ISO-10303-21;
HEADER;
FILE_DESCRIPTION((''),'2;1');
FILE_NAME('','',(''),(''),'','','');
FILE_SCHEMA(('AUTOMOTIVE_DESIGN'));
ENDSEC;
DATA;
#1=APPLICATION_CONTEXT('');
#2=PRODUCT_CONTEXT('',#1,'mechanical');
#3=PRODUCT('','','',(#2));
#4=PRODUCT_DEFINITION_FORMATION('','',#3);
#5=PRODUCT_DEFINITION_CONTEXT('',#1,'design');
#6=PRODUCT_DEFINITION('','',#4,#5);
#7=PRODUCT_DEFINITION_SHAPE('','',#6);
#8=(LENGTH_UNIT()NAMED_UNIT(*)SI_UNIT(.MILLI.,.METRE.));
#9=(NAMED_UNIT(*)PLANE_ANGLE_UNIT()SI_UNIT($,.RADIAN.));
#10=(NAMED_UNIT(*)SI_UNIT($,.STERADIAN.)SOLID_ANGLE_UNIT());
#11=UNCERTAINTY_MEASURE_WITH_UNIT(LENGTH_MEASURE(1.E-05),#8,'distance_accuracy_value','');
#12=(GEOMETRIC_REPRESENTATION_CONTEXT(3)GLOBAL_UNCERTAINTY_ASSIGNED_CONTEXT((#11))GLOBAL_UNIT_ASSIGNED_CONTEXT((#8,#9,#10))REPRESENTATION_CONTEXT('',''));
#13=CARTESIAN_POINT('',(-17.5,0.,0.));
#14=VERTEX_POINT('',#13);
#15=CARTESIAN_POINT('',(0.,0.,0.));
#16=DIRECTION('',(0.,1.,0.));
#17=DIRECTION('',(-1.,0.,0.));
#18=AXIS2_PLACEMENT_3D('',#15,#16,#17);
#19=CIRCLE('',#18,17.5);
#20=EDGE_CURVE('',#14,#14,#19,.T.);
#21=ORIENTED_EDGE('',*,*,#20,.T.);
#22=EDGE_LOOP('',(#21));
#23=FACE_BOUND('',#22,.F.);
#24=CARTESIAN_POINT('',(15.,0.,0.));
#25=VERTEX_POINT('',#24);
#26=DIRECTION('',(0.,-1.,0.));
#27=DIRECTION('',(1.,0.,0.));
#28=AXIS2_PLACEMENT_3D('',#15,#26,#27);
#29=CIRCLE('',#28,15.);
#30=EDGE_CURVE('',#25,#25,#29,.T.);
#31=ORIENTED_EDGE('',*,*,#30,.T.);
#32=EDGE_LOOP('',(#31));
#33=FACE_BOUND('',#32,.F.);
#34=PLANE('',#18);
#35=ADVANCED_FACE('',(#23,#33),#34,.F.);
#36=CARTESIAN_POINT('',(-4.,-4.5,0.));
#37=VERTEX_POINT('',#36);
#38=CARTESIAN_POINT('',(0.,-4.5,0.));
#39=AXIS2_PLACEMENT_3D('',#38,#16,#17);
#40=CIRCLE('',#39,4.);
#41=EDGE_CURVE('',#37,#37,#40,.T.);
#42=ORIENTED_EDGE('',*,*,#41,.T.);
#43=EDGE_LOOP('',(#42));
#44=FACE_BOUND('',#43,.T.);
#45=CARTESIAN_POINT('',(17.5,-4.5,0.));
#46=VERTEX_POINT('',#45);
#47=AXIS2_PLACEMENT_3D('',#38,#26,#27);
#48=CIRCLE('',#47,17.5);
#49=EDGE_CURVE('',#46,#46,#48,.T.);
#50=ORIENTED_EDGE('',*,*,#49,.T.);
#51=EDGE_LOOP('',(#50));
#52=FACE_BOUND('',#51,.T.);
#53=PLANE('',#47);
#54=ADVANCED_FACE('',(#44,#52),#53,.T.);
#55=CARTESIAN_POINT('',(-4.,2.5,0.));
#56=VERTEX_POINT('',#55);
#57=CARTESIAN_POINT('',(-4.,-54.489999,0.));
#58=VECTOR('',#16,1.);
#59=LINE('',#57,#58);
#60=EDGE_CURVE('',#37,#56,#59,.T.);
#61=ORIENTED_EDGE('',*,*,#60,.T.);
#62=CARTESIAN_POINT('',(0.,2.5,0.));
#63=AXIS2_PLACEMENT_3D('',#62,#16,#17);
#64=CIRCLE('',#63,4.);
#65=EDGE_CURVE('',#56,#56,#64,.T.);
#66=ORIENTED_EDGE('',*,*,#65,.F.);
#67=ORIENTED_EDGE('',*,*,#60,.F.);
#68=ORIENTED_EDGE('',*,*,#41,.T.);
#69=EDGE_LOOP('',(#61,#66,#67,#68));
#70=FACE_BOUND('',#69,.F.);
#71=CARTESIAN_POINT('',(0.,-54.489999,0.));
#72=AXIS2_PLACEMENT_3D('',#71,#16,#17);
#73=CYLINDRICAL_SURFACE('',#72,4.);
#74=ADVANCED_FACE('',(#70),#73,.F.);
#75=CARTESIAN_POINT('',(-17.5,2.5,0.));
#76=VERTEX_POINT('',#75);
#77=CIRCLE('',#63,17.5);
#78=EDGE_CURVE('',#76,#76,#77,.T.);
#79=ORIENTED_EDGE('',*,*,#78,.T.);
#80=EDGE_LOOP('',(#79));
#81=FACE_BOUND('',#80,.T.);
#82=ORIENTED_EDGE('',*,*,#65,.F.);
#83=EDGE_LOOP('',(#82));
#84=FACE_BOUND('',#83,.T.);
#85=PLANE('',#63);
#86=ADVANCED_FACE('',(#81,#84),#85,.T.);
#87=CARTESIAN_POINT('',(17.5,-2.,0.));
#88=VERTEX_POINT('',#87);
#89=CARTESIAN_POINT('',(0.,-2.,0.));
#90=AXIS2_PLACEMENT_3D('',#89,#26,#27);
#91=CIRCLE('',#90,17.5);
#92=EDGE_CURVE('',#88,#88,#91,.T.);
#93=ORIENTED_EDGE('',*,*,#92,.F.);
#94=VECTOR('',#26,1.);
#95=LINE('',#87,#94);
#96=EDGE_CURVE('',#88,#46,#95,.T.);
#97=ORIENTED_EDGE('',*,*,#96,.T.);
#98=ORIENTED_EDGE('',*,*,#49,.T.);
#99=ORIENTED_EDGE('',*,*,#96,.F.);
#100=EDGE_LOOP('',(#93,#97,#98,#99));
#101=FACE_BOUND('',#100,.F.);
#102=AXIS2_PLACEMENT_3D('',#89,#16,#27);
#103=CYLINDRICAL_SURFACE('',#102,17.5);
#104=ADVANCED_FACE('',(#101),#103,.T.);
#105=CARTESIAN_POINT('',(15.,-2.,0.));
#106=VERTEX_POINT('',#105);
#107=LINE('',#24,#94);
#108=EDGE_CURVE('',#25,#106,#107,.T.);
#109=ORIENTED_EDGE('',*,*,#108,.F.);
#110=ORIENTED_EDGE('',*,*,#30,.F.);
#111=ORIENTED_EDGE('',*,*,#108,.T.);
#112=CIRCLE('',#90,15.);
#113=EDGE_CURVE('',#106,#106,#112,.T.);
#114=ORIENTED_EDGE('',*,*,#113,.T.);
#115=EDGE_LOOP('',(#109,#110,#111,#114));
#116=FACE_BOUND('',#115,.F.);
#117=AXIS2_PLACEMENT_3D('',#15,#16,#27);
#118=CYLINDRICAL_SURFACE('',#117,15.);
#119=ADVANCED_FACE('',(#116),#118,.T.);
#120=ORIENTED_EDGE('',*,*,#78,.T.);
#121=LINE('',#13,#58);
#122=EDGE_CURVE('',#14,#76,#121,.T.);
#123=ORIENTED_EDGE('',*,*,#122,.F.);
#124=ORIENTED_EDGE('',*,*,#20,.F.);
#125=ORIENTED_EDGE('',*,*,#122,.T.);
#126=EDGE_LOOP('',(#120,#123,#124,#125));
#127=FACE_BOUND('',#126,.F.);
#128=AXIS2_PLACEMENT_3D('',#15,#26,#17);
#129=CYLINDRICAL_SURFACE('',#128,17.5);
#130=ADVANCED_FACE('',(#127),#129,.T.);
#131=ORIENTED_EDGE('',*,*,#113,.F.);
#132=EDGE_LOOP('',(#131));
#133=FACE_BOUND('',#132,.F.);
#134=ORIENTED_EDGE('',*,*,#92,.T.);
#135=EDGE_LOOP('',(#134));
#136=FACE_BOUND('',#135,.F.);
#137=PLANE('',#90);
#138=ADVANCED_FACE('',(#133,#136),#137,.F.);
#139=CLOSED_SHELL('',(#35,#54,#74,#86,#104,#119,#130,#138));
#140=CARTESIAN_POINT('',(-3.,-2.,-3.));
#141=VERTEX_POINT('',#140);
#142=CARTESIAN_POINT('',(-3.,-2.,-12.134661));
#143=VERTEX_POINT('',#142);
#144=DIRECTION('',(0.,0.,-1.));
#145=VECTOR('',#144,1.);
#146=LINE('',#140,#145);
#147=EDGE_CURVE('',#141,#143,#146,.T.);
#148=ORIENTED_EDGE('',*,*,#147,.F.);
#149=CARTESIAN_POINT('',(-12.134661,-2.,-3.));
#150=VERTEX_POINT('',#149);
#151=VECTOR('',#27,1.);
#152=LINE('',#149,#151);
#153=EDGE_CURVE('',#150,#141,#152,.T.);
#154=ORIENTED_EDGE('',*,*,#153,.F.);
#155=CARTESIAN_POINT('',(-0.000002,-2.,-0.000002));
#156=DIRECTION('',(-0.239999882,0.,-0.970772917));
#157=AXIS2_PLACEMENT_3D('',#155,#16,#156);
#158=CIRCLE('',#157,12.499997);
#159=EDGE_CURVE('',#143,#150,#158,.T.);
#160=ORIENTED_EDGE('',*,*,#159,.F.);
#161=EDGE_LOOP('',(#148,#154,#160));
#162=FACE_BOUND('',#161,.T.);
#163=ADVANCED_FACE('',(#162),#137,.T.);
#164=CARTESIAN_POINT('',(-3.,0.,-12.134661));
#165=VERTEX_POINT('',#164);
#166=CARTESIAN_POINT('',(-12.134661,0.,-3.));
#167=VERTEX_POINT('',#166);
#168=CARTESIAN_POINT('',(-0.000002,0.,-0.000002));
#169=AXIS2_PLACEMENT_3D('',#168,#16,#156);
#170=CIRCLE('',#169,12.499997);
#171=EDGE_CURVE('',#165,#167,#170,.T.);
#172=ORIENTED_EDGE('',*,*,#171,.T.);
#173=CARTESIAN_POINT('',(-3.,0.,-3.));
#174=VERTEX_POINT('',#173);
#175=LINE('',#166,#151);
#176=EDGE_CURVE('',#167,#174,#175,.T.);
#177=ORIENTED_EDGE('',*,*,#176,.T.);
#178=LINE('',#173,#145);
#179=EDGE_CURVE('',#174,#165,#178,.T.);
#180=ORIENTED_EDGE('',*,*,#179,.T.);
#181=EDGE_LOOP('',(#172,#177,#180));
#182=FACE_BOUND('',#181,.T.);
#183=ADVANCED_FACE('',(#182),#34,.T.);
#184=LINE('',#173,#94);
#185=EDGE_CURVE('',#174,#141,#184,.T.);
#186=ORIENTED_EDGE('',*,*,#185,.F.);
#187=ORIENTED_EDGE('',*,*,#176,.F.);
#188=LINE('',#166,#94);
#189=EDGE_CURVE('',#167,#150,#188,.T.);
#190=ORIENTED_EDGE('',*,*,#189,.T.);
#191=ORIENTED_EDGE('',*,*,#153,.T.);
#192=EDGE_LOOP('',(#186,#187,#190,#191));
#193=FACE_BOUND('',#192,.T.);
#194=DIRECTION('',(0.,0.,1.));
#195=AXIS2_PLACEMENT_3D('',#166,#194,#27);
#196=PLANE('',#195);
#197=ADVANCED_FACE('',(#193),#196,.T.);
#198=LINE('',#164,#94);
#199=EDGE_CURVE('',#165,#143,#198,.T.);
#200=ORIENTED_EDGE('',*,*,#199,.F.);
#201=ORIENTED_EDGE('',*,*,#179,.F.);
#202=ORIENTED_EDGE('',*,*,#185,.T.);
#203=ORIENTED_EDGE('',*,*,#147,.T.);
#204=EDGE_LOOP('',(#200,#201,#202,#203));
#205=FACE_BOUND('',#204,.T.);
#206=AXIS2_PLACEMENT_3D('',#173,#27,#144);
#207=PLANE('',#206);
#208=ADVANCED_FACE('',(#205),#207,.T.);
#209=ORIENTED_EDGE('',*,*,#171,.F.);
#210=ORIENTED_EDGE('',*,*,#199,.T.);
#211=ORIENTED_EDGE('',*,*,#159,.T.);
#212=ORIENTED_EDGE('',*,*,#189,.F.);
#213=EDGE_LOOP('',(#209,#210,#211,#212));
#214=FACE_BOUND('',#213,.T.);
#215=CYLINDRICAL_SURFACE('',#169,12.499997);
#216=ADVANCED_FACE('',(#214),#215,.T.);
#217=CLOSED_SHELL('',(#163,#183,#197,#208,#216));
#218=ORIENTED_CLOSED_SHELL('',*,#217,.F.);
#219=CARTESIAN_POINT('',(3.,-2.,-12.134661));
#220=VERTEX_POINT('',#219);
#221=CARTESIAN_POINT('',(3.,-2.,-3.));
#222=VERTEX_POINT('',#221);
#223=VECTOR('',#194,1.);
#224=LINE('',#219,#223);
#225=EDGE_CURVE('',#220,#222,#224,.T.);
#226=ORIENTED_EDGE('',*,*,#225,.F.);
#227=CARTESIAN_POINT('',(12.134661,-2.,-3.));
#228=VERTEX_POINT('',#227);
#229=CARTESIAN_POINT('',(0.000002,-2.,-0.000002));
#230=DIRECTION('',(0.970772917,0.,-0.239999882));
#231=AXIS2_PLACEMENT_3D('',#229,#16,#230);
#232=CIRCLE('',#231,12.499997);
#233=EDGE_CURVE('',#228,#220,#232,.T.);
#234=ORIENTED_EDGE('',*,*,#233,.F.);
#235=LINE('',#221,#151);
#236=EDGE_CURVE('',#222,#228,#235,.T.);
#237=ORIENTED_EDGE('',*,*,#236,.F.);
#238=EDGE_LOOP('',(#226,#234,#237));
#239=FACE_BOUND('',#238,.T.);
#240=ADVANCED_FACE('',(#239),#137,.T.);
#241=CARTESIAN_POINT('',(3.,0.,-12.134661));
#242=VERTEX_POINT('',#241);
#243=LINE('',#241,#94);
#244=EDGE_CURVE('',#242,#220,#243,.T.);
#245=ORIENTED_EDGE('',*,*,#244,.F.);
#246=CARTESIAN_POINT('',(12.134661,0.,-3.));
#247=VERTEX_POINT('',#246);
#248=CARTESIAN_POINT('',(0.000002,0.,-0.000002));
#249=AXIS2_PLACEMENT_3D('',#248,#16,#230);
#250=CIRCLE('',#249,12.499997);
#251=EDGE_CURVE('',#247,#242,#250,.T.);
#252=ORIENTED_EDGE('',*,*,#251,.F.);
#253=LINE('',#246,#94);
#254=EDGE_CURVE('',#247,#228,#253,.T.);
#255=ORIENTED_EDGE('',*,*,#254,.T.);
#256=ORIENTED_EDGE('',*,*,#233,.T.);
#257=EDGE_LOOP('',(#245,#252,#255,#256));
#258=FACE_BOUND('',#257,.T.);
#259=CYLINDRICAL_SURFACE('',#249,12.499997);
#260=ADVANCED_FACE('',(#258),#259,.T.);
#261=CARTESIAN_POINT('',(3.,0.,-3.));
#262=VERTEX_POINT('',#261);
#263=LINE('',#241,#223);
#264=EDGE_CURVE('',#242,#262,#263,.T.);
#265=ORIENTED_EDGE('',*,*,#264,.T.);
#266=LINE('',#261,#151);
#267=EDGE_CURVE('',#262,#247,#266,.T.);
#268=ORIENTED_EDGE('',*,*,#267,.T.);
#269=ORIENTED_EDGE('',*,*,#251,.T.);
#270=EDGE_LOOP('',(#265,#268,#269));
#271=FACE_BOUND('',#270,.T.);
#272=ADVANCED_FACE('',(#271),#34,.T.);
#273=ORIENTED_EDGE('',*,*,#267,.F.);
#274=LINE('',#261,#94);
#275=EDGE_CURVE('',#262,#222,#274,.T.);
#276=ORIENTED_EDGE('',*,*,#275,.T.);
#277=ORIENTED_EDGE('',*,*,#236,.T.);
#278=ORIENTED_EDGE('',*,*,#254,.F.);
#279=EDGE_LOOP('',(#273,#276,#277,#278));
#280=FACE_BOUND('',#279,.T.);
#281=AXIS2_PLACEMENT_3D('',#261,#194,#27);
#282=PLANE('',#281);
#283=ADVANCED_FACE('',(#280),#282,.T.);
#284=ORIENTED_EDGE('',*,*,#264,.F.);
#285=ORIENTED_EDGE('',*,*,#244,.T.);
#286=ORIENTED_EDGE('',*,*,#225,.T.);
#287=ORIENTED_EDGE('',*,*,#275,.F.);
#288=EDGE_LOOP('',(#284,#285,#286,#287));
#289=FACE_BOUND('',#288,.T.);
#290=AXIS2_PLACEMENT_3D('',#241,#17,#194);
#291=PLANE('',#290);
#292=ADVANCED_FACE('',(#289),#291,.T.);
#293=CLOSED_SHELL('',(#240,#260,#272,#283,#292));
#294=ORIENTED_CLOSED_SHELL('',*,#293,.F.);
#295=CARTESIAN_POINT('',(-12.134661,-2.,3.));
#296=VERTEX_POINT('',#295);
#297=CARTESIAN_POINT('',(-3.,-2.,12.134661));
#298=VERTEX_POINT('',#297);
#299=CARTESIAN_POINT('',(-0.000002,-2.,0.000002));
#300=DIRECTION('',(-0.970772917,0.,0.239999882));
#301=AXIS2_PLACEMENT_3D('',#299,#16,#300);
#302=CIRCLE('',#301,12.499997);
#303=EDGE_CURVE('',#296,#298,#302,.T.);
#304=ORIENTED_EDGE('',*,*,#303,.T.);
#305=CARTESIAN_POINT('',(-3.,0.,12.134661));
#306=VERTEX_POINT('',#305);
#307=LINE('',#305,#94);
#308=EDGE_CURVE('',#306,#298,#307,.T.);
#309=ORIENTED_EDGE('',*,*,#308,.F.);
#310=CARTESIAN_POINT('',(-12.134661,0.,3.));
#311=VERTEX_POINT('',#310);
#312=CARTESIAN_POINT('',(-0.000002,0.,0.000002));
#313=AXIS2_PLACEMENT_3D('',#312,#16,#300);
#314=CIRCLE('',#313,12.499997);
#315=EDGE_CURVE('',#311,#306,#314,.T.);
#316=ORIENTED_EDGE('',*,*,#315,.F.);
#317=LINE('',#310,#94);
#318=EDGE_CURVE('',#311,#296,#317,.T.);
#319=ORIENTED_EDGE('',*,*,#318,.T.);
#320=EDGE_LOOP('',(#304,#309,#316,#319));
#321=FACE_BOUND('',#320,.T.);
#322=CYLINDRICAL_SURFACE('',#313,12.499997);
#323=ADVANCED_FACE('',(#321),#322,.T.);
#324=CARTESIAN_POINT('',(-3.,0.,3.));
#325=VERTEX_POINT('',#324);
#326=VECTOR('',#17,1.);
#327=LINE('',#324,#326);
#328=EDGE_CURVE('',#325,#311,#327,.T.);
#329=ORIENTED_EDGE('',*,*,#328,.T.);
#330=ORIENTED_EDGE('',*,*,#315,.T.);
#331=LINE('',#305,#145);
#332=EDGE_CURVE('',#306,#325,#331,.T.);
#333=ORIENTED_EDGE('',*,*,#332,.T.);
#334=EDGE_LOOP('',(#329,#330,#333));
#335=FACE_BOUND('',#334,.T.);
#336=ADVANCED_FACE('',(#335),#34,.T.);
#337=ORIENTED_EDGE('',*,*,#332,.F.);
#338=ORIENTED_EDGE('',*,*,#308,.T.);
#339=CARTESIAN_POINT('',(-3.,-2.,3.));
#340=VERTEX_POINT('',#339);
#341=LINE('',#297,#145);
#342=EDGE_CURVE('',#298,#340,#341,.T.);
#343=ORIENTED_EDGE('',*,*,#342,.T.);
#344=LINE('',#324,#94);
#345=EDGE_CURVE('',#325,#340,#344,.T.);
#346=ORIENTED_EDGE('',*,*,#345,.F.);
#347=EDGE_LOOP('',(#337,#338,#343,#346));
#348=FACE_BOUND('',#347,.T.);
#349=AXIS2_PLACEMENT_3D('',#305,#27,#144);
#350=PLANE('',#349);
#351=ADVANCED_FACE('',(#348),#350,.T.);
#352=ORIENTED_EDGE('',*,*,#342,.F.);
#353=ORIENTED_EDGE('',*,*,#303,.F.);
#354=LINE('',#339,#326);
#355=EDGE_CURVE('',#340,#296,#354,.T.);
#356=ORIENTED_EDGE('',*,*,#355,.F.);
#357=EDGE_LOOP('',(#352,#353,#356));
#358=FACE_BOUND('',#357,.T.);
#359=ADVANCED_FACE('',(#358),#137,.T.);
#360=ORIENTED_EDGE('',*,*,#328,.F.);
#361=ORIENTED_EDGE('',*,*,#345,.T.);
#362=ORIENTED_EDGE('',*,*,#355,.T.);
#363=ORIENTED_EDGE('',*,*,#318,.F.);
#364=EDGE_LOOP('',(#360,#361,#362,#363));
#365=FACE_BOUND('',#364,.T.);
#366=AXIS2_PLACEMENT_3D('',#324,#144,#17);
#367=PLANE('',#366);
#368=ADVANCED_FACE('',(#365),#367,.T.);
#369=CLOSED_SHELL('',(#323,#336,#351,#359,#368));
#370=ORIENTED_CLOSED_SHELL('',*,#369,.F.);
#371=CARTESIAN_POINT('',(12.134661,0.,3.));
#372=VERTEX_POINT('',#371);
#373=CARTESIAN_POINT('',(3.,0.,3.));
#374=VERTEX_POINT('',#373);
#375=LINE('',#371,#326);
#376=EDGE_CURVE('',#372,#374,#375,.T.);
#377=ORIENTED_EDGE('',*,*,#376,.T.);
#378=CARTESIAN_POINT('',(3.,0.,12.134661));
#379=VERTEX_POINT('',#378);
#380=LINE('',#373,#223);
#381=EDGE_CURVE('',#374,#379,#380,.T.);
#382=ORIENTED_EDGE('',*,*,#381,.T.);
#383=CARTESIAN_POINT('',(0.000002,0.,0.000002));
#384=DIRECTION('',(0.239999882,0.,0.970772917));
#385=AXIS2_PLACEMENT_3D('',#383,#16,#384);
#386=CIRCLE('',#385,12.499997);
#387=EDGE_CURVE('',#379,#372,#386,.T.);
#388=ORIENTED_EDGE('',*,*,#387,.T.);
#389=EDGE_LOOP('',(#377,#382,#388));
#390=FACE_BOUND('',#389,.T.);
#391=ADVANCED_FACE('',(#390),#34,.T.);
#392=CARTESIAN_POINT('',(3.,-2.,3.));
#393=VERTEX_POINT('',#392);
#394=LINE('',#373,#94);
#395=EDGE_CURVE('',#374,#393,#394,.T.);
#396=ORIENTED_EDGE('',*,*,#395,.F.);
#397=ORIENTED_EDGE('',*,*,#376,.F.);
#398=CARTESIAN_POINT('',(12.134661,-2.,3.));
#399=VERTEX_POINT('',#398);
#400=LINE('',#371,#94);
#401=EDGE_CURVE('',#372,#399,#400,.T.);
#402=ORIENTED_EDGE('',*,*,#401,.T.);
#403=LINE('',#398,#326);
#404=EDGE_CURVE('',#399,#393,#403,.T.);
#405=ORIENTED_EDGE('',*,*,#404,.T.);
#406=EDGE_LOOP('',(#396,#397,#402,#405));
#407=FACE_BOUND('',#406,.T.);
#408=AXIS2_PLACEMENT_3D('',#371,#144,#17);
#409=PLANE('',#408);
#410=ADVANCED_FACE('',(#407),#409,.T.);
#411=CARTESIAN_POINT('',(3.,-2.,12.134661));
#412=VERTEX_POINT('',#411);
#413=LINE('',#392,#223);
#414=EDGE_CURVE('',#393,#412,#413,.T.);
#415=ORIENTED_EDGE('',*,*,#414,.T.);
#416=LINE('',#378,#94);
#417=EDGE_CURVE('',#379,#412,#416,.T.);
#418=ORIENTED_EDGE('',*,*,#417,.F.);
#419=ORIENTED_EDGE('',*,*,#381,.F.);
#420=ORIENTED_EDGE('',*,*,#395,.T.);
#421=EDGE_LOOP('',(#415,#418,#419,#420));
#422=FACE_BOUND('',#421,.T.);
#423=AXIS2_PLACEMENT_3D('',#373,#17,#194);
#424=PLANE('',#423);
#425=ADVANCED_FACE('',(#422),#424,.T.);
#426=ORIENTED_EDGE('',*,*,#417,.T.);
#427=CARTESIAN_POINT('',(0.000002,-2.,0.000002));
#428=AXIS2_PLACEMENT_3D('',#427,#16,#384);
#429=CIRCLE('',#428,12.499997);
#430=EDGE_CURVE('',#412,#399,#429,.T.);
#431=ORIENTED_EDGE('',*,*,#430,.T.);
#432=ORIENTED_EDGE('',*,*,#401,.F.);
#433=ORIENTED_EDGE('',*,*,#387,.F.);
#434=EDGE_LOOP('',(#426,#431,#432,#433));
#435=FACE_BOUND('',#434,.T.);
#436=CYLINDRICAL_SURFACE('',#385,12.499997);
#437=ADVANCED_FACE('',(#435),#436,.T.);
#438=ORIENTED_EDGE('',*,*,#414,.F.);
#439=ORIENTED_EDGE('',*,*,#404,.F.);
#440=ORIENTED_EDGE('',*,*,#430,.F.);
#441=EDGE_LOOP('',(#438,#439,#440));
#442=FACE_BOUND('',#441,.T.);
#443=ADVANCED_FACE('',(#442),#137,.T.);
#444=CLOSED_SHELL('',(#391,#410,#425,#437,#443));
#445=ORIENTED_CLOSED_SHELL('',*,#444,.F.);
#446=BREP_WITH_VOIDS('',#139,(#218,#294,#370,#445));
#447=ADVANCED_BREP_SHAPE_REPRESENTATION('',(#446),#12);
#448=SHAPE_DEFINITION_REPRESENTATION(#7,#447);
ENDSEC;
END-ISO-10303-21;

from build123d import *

# Parameters (mm, degrees)
F0_R     = 15
F1_DEPTH = 2
F2_R     = 17.5
F3_DEPTH = 2.5
F4_R     = 17.5
F5_DEPTH = 2.5
F7_D     = 8


with BuildPart() as f1:
    # F0 (on Front) → F1 (new body)
    with BuildSketch(Plane.XZ):
        Circle(F0_R)
        with BuildLine():
            Line((-3, -3), (-3, -12.134661))
            ThreePointArc((-3, -12.134661), (-8.838835, -8.838835), (-12.134661, -3))
            Line((-12.134661, -3), (-3, -3))
        make_face(mode=Mode.SUBTRACT)
        with BuildLine():
            Line((3, -12.134661), (3, -3))
            Line((3, -3), (12.134661, -3))
            ThreePointArc((12.134661, -3), (8.838835, -8.838835), (3, -12.134661))
        make_face(mode=Mode.SUBTRACT)
        with BuildLine():
            ThreePointArc((-12.134661, 3), (-8.838835, 8.838835), (-3, 12.134661))
            Line((-3, 12.134661), (-3, 3))
            Line((-3, 3), (-12.134661, 3))
        make_face(mode=Mode.SUBTRACT)
        with BuildLine():
            Line((12.134661, 3), (3, 3))
            Line((3, 3), (3, 12.134661))
            ThreePointArc((3, 12.134661), (8.838835, 8.838835), (12.134661, 3))
        make_face(mode=Mode.SUBTRACT)
    extrude(amount=F1_DEPTH)

    # F2 (on face) → F3 (join)
    with BuildSketch(Plane(origin=(0, 0, 0), x_dir=(-1, 0, 0), z_dir=(0, 1, 0))):
        Circle(F2_R)
    extrude(amount=F3_DEPTH)

    # F4 (on face) → F5 (join)
    with BuildSketch(Plane.XZ.offset(2)):
        Circle(F4_R)
    extrude(amount=F5_DEPTH)

    # F7 (through all)
    with Locations(Plane.XZ.offset(4.5)):
        with Locations((0, 0)):
            Hole(F7_D / 2)


solid = f1.part
